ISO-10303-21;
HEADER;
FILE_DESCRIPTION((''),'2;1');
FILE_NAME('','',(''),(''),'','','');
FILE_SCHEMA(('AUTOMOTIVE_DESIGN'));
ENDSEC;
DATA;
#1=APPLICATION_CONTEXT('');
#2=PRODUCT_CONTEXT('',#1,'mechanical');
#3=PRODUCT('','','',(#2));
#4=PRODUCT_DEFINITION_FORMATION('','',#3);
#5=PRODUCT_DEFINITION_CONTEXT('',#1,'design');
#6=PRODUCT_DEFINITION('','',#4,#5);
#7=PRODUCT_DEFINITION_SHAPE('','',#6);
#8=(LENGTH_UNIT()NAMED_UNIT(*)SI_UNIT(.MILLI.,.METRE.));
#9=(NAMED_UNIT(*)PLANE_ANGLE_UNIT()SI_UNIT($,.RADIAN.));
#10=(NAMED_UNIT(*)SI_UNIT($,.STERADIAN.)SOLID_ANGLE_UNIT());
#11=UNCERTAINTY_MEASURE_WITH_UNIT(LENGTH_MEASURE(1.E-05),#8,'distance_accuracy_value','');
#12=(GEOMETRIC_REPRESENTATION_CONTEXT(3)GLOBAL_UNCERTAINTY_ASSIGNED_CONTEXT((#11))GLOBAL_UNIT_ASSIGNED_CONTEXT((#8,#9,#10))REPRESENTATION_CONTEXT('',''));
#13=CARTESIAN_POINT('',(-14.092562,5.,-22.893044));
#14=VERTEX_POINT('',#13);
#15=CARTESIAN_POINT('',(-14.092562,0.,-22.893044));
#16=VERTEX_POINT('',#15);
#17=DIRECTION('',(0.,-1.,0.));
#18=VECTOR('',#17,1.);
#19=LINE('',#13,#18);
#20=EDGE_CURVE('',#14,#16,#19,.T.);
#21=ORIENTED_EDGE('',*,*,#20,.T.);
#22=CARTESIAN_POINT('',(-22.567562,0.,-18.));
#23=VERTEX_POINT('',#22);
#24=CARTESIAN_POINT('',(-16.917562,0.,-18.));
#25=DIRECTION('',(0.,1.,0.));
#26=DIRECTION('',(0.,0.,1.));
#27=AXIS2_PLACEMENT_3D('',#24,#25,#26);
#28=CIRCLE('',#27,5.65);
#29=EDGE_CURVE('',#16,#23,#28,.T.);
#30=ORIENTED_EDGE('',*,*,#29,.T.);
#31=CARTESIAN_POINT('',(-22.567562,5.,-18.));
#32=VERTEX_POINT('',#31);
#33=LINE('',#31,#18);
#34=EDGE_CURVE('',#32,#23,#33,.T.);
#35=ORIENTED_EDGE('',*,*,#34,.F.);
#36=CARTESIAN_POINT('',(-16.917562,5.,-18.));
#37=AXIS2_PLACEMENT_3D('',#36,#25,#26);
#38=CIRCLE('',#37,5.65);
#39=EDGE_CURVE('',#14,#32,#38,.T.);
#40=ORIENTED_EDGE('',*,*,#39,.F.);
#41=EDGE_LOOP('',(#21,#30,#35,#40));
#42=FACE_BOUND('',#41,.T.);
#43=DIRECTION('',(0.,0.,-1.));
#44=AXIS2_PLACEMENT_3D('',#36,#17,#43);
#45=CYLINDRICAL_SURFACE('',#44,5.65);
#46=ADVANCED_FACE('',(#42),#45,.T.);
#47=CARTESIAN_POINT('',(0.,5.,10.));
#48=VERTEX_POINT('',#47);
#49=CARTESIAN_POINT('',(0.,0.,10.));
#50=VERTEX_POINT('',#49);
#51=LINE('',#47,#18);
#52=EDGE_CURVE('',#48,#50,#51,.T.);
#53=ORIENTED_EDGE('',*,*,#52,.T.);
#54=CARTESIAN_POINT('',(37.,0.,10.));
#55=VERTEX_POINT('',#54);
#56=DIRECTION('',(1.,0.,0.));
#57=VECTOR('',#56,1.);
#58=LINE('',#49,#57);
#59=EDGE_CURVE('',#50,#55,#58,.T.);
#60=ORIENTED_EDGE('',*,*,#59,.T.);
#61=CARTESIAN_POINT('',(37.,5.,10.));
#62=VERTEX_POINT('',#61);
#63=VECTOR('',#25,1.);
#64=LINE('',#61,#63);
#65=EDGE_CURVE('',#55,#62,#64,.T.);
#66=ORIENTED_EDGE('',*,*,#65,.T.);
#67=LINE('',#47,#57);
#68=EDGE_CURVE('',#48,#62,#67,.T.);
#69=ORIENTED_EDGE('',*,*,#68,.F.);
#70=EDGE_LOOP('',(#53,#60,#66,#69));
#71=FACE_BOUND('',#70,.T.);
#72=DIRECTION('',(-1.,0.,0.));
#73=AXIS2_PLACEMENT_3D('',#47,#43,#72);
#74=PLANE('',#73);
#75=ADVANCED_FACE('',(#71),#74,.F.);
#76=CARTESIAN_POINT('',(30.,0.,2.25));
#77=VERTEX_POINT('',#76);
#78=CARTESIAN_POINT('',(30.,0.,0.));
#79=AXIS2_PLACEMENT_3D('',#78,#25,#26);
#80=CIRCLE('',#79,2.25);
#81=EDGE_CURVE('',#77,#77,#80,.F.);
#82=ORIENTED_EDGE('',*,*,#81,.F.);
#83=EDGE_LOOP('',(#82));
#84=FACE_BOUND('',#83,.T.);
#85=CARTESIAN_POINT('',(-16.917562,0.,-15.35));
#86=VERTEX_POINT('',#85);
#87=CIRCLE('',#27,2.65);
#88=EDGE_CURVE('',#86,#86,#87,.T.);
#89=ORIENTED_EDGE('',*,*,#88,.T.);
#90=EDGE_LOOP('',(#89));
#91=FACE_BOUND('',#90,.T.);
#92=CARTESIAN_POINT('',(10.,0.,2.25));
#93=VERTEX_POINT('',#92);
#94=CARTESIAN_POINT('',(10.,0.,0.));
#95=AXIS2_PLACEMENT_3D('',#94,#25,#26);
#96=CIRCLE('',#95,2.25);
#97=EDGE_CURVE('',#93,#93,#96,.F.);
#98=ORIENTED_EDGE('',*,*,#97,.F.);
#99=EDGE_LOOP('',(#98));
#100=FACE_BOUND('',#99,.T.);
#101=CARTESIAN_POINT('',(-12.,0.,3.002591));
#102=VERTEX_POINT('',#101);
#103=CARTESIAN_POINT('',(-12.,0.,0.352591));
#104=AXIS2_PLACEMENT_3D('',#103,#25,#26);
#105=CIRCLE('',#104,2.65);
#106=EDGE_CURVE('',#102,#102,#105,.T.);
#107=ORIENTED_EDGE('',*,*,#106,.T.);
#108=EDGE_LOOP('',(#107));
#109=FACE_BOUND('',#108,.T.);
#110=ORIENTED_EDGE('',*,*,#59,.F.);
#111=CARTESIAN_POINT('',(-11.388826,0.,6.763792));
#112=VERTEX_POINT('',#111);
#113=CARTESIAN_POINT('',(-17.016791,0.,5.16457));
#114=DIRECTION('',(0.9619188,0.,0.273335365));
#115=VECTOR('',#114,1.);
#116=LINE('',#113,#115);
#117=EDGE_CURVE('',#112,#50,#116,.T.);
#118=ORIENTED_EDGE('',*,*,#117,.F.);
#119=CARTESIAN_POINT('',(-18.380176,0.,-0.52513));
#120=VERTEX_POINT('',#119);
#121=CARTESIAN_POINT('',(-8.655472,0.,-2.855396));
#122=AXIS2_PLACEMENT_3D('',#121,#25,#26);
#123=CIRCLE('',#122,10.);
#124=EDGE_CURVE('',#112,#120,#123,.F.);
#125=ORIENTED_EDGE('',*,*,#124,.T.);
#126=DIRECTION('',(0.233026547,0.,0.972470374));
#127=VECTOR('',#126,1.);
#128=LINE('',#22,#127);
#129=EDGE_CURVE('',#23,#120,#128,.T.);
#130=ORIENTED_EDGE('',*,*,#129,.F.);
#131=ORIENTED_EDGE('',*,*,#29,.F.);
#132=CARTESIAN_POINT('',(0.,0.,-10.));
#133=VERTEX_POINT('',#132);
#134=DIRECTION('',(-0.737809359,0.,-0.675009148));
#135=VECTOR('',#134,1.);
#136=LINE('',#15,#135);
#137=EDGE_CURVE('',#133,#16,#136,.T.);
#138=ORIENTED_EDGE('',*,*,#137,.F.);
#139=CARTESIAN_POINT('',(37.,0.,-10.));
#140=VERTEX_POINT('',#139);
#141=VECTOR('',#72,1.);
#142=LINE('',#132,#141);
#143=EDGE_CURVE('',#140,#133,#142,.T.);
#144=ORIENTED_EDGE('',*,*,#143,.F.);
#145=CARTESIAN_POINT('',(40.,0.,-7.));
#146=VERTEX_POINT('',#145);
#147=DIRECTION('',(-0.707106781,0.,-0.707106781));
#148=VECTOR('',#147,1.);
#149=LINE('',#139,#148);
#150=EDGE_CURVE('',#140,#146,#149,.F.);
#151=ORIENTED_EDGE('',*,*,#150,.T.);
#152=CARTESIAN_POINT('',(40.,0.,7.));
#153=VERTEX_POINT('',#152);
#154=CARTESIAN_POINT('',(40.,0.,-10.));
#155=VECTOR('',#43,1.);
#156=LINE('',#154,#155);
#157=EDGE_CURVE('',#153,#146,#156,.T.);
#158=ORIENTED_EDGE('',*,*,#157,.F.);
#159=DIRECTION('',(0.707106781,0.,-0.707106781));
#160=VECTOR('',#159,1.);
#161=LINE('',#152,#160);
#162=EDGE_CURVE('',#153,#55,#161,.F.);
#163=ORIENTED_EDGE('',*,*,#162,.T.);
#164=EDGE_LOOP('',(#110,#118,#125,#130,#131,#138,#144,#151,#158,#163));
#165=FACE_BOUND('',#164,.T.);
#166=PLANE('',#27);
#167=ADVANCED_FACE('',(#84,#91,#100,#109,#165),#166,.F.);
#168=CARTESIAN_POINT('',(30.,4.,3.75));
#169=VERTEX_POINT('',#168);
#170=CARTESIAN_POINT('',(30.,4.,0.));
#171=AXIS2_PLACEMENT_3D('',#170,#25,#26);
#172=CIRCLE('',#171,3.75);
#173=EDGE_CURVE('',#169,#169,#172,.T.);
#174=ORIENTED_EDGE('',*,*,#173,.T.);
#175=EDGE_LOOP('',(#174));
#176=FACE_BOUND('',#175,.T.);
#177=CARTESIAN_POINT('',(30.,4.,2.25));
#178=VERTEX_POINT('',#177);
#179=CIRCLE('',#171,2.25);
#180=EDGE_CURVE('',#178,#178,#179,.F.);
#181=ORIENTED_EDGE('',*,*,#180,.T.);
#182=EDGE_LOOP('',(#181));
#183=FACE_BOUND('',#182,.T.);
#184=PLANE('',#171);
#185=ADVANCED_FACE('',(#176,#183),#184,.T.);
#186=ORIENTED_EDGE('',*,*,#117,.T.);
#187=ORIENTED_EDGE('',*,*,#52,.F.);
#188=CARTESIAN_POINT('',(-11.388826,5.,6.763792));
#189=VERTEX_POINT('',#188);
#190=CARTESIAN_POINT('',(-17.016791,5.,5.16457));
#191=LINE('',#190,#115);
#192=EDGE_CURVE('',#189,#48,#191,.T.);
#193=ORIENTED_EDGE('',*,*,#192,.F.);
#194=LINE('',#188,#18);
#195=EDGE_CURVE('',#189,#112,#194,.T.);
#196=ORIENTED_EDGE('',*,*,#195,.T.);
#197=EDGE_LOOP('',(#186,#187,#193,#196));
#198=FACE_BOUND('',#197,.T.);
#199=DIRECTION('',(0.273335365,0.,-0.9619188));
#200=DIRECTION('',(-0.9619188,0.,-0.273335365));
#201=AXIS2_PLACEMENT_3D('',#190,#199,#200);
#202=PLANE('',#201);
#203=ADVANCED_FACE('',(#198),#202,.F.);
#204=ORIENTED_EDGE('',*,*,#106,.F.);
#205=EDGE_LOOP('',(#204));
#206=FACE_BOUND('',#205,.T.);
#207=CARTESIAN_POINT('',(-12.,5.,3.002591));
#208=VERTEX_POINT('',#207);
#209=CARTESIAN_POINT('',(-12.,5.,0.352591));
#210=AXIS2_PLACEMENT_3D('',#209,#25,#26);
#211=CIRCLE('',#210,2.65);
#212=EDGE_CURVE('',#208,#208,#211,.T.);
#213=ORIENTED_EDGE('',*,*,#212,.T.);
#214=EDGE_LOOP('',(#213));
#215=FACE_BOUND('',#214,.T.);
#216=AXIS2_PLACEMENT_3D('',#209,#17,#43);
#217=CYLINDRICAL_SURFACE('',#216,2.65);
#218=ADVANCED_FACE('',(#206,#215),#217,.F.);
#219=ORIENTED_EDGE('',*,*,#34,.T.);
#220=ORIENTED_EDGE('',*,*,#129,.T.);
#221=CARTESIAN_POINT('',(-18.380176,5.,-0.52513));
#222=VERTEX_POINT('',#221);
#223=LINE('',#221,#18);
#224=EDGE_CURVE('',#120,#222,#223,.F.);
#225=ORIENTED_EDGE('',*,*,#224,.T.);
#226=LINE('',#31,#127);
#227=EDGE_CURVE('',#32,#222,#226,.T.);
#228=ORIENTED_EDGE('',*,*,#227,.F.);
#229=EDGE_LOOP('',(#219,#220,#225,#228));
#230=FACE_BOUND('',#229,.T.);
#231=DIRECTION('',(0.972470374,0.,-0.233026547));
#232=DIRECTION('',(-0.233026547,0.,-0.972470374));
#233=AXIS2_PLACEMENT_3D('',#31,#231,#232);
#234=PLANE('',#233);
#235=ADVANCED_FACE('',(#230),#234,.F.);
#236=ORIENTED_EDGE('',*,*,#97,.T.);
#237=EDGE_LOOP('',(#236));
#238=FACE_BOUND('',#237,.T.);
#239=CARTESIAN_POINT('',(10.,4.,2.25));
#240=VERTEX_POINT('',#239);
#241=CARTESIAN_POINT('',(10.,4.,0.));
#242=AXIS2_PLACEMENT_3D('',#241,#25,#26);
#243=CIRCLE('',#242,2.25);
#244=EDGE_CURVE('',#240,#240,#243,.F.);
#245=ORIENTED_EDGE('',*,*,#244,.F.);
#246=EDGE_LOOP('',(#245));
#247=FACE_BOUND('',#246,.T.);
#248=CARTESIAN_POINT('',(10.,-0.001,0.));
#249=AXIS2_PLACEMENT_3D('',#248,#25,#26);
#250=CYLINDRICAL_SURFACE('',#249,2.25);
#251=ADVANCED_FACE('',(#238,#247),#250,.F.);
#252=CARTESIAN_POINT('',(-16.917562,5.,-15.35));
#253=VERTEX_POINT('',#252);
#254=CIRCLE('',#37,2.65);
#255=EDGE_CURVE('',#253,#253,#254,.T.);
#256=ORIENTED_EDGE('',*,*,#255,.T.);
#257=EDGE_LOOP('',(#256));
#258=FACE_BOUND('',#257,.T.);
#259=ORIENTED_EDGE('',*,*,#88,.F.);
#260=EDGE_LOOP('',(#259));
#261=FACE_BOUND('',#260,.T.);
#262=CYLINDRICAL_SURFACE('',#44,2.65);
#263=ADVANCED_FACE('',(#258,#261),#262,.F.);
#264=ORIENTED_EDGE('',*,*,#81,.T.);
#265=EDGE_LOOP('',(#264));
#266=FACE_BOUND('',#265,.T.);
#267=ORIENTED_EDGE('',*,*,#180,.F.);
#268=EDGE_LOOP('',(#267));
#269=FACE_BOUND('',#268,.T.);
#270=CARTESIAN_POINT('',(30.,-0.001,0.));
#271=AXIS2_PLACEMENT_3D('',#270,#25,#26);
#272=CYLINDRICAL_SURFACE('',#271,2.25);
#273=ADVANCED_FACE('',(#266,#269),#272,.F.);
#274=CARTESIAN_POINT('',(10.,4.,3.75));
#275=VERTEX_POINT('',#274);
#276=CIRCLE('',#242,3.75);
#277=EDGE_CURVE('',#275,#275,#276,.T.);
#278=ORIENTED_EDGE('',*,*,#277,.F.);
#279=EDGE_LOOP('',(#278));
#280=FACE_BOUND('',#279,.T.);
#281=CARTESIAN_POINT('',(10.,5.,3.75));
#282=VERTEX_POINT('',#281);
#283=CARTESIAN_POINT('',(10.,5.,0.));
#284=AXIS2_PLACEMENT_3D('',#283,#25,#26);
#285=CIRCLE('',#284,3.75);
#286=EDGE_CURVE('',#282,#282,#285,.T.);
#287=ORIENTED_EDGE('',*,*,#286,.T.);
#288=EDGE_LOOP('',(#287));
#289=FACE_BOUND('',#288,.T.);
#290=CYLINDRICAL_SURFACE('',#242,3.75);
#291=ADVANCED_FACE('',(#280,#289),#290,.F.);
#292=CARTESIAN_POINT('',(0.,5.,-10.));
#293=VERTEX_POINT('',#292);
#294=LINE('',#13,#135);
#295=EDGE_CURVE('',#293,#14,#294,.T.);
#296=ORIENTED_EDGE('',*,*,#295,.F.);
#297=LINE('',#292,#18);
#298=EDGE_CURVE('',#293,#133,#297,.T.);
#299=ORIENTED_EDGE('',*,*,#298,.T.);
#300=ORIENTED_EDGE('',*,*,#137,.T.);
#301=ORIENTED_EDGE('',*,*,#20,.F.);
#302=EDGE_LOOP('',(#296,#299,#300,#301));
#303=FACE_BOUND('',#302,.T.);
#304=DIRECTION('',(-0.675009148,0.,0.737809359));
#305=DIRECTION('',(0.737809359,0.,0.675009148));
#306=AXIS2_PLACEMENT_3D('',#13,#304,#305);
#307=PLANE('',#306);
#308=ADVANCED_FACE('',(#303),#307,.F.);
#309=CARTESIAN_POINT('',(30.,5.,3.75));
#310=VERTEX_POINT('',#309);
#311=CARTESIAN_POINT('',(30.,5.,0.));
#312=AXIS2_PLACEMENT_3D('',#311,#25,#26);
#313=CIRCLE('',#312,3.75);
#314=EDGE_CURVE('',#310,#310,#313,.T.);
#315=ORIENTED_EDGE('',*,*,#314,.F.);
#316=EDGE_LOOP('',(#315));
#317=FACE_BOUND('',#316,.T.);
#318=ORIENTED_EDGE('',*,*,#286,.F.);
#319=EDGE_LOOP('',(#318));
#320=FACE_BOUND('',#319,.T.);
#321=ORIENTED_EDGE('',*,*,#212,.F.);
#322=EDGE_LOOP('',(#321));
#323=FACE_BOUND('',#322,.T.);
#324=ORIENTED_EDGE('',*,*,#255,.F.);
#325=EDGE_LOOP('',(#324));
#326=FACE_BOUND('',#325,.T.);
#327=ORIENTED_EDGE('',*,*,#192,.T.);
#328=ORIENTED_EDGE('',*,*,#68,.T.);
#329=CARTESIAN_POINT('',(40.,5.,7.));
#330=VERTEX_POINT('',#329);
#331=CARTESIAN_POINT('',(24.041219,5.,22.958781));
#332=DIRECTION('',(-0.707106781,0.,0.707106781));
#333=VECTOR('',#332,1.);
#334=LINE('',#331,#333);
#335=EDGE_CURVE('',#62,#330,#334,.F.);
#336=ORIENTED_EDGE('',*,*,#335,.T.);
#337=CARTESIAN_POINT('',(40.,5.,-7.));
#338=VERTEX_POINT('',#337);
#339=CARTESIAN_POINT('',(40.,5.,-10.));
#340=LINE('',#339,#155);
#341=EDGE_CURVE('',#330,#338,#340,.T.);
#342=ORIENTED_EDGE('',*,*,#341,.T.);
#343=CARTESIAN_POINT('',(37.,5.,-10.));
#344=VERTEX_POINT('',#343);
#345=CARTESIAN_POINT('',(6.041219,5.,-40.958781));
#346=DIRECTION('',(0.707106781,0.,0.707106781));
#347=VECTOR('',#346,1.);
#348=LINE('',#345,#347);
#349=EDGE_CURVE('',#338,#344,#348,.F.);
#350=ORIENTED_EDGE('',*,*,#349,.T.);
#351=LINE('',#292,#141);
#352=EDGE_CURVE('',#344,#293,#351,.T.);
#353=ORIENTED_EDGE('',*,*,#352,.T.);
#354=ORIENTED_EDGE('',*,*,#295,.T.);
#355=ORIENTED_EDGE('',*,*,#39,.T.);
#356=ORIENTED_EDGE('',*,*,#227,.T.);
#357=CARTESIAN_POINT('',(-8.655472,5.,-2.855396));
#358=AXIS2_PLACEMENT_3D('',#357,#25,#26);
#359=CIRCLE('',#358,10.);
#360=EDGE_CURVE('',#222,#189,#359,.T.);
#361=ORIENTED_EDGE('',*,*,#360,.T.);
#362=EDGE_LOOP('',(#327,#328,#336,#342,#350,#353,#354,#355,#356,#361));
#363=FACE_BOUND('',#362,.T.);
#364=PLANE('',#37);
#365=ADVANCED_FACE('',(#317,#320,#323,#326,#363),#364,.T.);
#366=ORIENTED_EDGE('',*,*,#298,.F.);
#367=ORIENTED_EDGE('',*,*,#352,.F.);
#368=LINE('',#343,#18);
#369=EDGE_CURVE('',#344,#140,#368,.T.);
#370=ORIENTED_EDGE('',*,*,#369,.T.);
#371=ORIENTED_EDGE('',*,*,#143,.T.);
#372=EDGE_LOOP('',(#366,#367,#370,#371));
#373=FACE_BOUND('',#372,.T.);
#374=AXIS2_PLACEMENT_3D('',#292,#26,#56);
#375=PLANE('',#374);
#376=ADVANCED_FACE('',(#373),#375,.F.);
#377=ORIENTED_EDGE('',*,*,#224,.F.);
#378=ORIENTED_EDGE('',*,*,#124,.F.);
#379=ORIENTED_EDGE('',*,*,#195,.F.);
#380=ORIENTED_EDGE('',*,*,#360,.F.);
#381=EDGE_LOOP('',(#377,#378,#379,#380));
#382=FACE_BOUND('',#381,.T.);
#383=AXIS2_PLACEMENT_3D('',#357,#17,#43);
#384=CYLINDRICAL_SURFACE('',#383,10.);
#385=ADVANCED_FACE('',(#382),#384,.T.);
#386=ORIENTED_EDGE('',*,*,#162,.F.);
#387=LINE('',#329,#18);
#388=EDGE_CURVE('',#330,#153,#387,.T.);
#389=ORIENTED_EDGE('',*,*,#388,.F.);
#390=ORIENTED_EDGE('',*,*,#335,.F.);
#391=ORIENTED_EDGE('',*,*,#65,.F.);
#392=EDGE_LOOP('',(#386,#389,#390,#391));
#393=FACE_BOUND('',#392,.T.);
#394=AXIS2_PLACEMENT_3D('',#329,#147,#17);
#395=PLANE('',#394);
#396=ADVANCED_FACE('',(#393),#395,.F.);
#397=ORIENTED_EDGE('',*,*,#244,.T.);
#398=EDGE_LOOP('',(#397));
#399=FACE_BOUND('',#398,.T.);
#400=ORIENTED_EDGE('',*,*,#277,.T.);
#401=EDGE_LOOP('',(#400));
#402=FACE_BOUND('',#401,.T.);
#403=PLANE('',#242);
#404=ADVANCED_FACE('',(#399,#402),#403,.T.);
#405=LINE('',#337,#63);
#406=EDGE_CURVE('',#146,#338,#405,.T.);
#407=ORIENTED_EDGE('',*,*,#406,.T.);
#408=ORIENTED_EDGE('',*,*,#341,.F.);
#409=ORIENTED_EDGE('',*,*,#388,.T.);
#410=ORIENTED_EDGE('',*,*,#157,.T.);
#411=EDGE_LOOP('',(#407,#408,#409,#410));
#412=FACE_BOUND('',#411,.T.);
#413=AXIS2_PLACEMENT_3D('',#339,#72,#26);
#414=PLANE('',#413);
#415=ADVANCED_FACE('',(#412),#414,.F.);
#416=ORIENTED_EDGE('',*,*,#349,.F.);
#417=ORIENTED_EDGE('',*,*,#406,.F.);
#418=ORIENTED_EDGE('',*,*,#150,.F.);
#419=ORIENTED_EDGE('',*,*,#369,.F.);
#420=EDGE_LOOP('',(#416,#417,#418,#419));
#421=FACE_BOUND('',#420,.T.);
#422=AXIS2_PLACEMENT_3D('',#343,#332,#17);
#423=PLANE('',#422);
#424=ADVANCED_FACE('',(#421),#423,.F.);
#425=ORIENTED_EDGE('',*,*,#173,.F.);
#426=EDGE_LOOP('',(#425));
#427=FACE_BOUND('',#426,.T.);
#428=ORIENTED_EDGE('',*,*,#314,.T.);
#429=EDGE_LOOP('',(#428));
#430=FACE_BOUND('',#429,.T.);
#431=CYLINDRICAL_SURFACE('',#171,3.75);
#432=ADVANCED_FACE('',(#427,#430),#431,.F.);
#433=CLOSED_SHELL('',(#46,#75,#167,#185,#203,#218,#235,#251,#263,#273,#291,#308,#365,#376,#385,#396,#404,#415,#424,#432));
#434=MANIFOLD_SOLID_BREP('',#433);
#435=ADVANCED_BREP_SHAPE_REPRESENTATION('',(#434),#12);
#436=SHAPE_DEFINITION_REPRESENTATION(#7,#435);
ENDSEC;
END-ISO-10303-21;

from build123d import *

# Parameters (mm, degrees)
SKETCH1_R           = 2.65
BOSS_EXTRUDE1_DEPTH = 5
CUT_EXTRUDE2_REACH  = 7
SKETCH3_R           = 2.25
FILLET1_R           = 10
SKETCH4_R           = 3.75
CUT_EXTRUDE3_DEPTH  = 1
CHAMFER1_SIZE       = 3


with BuildPart() as part:
    # Sketch1 → Boss-Extrude1 (new body)
    with BuildSketch(Plane(origin=(0, 0, 0), x_dir=(1, 0, 0), z_dir=(0, 1, 0))):
        with BuildLine():
            Line((0, 10), (40, 10))
            Line((40, 10), (40, -10))
            Line((40, -10), (0, -10))
            Line((0, -10), (-17.016791442, -5.164570129))
            Line((-17.016791442, -5.164570129), (-22.567561857, 18))
            ThreePointArc((-22.567561857, 18), (-19.742561857, 22.893043531), (-14.092561857, 22.893043531))
            Line((-14.092561857, 22.893043531), (0, 10))
        make_face()
        with Locations((-16.917561857, 18)):
            Circle(SKETCH1_R, mode=Mode.SUBTRACT)
        with Locations((-12, -0.352590699)):
            Circle(SKETCH1_R, mode=Mode.SUBTRACT)
    extrude(amount=BOSS_EXTRUDE1_DEPTH)

    # Sketch3 → Cut-Extrude2 (cut, up to next)
    with BuildSketch(Plane(origin=(0, 5, 0), x_dir=(1, 0, 0), z_dir=(0, 1, 0)), mode=Mode.PRIVATE) as cut_extrude2_sk1:
        with Locations((10, 0)):
            Circle(SKETCH3_R)
    cut_extrude2_tool1 = extrude(cut_extrude2_sk1.sketch, amount=-CUT_EXTRUDE2_REACH, mode=Mode.PRIVATE) & part.part
    add(cut_extrude2_tool1.solids().sort_by_distance((10, 5, 0))[0], mode=Mode.SUBTRACT)
    # Sketch3 → Cut-Extrude2 (cut, up to next)
    with BuildSketch(Plane(origin=(0, 5, 0), x_dir=(1, 0, 0), z_dir=(0, 1, 0)), mode=Mode.PRIVATE) as cut_extrude2_sk2:
        with Locations((30, 0)):
            Circle(SKETCH3_R)
    cut_extrude2_tool2 = extrude(cut_extrude2_sk2.sketch, amount=-CUT_EXTRUDE2_REACH, mode=Mode.PRIVATE) & part.part
    add(cut_extrude2_tool2.solids().sort_by_distance((30, 5, 0))[0], mode=Mode.SUBTRACT)

    # Fillet1
    fillet1_edges = [part.edges().sort_by_distance(p)[0] for p in [
        (-17.016791442, 2.5, 5.164570129),
    ]]
    fillet(fillet1_edges, radius=FILLET1_R)

    # Sketch4 → Cut-Extrude3 (cut)
    with BuildSketch(Plane(origin=(0, 5, 0), x_dir=(1, 0, 0), z_dir=(0, 1, 0))):
        with Locations((10, 0)):
            Circle(SKETCH4_R)
        with Locations((30, 0)):
            Circle(SKETCH4_R)
    extrude(amount=-CUT_EXTRUDE3_DEPTH, mode=Mode.SUBTRACT)

    # Chamfer1
    chamfer1_edges = [part.edges().sort_by_distance(p)[0] for p in [
        (40, 2.5, -10),
        (40, 2.5, 10),
    ]]
    chamfer(chamfer1_edges, length=CHAMFER1_SIZE)


solid = part.part
